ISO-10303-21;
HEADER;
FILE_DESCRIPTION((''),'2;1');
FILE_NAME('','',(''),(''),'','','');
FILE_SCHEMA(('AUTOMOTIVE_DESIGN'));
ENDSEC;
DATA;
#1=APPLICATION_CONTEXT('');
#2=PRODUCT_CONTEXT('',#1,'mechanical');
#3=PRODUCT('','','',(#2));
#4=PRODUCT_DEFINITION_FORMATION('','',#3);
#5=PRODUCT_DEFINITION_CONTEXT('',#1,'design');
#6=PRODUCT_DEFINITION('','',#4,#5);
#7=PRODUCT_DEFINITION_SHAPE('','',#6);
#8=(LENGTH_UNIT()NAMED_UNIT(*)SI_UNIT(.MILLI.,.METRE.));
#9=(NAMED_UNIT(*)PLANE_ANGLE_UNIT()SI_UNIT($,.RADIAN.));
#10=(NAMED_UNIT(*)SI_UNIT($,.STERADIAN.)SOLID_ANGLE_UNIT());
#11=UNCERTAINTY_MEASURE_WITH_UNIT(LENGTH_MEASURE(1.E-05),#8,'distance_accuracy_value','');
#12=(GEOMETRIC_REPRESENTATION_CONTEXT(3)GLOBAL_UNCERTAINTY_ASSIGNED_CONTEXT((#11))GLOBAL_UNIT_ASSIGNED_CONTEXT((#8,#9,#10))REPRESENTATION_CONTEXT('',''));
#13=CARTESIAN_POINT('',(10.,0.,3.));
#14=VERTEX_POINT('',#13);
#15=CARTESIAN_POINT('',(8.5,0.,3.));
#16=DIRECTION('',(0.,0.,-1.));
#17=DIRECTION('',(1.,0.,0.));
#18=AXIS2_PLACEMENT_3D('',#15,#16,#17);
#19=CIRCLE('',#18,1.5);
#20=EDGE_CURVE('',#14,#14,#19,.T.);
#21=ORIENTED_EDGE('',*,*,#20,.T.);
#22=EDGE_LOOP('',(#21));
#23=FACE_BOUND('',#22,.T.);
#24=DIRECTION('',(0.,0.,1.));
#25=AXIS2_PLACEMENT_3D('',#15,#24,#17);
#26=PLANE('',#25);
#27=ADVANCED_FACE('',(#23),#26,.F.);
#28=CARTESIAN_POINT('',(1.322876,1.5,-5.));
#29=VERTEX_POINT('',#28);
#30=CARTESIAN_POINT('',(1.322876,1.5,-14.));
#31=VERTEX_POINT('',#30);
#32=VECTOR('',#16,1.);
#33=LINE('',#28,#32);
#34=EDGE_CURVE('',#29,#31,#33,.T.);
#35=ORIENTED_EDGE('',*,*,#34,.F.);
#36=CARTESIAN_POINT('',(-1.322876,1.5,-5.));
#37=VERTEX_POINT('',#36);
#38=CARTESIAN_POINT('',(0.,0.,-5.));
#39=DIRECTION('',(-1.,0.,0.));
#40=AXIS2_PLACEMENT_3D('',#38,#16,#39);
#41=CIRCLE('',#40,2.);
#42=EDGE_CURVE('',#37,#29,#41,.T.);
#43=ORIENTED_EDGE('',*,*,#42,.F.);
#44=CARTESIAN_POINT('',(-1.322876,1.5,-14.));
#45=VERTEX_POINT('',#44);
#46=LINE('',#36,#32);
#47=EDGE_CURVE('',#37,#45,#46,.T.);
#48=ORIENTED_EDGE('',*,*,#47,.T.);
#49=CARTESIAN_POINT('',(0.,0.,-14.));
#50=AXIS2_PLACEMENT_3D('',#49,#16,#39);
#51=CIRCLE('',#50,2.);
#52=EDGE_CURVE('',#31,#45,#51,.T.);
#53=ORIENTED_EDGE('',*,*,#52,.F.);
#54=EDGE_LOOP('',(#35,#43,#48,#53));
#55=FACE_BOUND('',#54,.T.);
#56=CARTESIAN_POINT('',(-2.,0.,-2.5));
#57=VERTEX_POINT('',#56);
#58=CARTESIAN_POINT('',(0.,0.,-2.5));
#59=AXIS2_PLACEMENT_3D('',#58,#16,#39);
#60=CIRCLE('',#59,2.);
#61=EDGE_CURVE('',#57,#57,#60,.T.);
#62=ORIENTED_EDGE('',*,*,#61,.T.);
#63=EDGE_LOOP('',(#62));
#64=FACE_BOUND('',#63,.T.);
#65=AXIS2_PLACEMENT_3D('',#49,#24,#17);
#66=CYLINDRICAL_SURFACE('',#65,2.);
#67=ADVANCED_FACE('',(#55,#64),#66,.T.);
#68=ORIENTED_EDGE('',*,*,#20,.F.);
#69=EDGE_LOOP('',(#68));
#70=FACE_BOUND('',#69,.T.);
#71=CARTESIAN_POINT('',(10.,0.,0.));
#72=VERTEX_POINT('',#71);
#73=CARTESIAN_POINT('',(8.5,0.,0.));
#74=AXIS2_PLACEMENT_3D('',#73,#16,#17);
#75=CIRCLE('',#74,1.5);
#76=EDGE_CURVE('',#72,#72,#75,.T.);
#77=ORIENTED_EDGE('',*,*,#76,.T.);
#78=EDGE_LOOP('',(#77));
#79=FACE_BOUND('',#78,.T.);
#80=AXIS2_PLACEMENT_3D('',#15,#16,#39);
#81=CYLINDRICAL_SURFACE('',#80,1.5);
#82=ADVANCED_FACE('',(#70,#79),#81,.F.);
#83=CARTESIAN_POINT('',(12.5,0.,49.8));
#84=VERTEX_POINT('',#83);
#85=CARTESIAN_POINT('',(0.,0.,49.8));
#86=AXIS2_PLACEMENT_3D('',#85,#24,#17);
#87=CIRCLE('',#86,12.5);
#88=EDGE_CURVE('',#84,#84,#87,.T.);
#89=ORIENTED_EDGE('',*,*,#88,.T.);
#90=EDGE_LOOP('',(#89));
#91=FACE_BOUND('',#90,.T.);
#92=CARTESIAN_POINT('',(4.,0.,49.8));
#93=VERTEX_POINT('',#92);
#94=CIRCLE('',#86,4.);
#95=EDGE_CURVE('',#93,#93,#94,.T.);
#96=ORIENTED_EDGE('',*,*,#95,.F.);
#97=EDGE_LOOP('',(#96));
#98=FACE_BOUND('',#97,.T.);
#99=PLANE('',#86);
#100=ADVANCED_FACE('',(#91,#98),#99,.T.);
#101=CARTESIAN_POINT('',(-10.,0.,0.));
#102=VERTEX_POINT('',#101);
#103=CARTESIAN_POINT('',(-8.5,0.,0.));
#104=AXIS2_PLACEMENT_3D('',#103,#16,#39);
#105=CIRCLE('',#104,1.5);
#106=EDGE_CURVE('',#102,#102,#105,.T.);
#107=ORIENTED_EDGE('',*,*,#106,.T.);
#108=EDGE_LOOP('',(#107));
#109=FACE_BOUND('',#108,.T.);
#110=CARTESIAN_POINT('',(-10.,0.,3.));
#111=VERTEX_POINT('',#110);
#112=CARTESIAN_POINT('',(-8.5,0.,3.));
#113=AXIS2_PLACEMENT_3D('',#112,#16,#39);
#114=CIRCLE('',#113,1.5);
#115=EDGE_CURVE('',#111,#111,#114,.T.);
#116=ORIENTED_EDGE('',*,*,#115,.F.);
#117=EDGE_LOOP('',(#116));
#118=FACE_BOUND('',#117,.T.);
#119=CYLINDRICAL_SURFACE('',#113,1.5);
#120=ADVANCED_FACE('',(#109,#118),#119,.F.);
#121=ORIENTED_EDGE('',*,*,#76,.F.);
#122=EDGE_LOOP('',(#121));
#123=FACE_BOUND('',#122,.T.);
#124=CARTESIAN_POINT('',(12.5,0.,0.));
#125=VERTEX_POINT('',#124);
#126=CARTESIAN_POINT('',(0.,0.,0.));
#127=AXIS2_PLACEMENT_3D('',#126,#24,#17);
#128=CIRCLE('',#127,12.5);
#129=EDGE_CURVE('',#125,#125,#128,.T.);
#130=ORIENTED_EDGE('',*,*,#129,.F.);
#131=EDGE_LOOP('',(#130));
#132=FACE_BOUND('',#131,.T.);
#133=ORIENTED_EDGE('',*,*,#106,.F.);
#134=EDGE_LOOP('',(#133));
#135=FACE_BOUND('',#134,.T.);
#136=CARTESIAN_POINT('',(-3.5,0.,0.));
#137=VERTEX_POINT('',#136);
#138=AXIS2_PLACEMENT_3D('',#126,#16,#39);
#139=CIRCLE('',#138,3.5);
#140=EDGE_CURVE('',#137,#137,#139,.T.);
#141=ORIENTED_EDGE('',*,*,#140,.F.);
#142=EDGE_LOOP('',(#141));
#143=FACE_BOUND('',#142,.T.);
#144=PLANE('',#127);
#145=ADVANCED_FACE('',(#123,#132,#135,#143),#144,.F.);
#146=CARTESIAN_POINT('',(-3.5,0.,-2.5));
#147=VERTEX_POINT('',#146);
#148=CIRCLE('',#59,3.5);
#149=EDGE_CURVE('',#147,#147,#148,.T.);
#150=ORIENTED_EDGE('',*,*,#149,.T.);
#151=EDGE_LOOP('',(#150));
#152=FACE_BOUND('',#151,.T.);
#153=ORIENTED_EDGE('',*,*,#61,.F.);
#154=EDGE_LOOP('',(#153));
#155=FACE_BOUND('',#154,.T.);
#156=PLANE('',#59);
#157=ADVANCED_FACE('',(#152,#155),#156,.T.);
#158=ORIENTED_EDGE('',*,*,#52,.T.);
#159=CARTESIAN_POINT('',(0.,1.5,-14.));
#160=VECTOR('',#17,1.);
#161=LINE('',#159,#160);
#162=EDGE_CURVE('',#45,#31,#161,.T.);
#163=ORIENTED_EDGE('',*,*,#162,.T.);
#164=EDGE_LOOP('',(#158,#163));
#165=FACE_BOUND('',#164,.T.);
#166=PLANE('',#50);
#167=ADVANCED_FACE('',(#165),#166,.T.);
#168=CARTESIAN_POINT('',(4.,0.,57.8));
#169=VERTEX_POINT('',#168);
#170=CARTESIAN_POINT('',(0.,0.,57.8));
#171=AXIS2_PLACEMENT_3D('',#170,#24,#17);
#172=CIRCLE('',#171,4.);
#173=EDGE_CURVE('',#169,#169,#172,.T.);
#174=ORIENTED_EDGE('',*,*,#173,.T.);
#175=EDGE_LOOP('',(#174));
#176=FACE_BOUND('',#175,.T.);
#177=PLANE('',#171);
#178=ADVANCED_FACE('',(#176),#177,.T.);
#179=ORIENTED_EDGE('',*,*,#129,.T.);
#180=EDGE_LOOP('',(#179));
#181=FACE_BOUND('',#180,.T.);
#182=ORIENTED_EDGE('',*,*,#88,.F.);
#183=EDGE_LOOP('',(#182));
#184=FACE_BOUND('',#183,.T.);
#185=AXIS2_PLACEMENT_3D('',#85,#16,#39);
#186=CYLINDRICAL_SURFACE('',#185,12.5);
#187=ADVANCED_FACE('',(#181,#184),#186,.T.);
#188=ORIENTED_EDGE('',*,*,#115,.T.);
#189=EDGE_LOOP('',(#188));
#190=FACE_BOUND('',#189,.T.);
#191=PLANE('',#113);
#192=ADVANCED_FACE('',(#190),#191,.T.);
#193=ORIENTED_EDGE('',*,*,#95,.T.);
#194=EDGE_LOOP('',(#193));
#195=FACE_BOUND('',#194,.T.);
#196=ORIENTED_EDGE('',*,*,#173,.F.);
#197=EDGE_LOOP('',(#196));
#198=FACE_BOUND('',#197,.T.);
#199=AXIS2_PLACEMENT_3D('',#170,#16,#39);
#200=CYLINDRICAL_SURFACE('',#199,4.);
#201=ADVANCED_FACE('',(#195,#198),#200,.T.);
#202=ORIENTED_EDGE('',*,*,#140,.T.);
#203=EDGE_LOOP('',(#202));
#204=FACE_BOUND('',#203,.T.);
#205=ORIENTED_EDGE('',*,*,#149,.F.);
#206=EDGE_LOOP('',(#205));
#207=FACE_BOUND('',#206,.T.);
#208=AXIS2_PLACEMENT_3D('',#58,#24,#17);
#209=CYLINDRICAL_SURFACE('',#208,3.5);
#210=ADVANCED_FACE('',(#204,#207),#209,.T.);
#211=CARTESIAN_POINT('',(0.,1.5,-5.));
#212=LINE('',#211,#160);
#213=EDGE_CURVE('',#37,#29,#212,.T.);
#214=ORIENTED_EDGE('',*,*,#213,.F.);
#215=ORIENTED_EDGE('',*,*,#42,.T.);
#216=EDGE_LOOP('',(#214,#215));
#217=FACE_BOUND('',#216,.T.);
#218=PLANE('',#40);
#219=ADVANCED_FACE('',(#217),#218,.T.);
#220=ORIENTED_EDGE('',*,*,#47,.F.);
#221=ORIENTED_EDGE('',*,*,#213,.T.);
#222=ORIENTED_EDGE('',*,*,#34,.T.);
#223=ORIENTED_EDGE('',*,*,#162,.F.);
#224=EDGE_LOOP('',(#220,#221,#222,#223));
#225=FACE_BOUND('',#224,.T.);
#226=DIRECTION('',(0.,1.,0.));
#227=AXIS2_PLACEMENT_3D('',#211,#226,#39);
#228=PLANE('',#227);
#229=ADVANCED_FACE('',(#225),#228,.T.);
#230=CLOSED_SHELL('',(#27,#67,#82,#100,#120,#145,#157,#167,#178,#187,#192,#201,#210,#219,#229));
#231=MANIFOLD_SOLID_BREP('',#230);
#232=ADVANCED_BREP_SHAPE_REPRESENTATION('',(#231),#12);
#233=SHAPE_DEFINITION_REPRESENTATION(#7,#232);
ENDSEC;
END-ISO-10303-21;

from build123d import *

# Parameters (mm, degrees)
SKETCH_1_R          = 12.5
EXTRUDE_1_DEPTH     = 49.8
SKETCH_2_R          = 3.5
EXTRUDE_2_DEPTH     = 2.5
SKETCH_3_R          = 2
EXTRUDE_3_DEPTH     = 11.5
CUT_EXTRUDE_START   = -9
CUT_EXTRUDE_1_DEPTH = 9
SKETCH_5_R          = 1.5
CUT_EXTRUDE_2_DEPTH = 3
SKETCH_6_R          = 4
EXTRUDE_4_DEPTH     = 8


with BuildPart() as part:
    # 草图1 → 凸台-拉伸1 (new body)
    with BuildSketch(Plane.XY):
        Circle(SKETCH_1_R)
    extrude(amount=EXTRUDE_1_DEPTH)

    # 草图2 → 凸台-拉伸2 (add)
    with BuildSketch(Plane(origin=(0, 0, 0), x_dir=(-1, 0, 0), z_dir=(0, 0, -1))):
        Circle(SKETCH_2_R)
    extrude(amount=EXTRUDE_2_DEPTH)

    # 草图3 → 凸台-拉伸3 (add)
    with BuildSketch(Plane(origin=(0, 0, -2.5), x_dir=(-1, 0, 0), z_dir=(0, 0, -1))):
        Circle(SKETCH_3_R)
    extrude(amount=EXTRUDE_3_DEPTH)

    # 草图4 → 切除-拉伸1 (cut)
    with BuildSketch(Plane(origin=(0, 0, -14), x_dir=(-1, 0, 0), z_dir=(0, 0, -1)).offset(CUT_EXTRUDE_START)):
        with BuildLine():
            Line((-1.322875656, 1.5), (0, 1.5))
            Line((0, 1.5), (1.322875656, 1.5))
            ThreePointArc((1.322875656, 1.5), (0, 2), (-1.322875656, 1.5))
        make_face()
    extrude(amount=CUT_EXTRUDE_1_DEPTH, mode=Mode.SUBTRACT)

    # 草图5 → 切除-拉伸2 (cut)
    with BuildSketch(Plane(origin=(0, 0, 0), x_dir=(-1, 0, 0), z_dir=(0, 0, -1))):
        with Locations((8.5, 0)):
            Circle(SKETCH_5_R)
        with Locations(Location((-8.5, 0, 0), (0, 0, 180))):
            Circle(SKETCH_5_R)
    extrude(amount=-CUT_EXTRUDE_2_DEPTH, mode=Mode.SUBTRACT)

    # 草图6 → 凸台-拉伸4 (add)
    with BuildSketch(Plane.XY.offset(49.8)):
        Circle(SKETCH_6_R)
    extrude(amount=EXTRUDE_4_DEPTH)


solid = part.part
